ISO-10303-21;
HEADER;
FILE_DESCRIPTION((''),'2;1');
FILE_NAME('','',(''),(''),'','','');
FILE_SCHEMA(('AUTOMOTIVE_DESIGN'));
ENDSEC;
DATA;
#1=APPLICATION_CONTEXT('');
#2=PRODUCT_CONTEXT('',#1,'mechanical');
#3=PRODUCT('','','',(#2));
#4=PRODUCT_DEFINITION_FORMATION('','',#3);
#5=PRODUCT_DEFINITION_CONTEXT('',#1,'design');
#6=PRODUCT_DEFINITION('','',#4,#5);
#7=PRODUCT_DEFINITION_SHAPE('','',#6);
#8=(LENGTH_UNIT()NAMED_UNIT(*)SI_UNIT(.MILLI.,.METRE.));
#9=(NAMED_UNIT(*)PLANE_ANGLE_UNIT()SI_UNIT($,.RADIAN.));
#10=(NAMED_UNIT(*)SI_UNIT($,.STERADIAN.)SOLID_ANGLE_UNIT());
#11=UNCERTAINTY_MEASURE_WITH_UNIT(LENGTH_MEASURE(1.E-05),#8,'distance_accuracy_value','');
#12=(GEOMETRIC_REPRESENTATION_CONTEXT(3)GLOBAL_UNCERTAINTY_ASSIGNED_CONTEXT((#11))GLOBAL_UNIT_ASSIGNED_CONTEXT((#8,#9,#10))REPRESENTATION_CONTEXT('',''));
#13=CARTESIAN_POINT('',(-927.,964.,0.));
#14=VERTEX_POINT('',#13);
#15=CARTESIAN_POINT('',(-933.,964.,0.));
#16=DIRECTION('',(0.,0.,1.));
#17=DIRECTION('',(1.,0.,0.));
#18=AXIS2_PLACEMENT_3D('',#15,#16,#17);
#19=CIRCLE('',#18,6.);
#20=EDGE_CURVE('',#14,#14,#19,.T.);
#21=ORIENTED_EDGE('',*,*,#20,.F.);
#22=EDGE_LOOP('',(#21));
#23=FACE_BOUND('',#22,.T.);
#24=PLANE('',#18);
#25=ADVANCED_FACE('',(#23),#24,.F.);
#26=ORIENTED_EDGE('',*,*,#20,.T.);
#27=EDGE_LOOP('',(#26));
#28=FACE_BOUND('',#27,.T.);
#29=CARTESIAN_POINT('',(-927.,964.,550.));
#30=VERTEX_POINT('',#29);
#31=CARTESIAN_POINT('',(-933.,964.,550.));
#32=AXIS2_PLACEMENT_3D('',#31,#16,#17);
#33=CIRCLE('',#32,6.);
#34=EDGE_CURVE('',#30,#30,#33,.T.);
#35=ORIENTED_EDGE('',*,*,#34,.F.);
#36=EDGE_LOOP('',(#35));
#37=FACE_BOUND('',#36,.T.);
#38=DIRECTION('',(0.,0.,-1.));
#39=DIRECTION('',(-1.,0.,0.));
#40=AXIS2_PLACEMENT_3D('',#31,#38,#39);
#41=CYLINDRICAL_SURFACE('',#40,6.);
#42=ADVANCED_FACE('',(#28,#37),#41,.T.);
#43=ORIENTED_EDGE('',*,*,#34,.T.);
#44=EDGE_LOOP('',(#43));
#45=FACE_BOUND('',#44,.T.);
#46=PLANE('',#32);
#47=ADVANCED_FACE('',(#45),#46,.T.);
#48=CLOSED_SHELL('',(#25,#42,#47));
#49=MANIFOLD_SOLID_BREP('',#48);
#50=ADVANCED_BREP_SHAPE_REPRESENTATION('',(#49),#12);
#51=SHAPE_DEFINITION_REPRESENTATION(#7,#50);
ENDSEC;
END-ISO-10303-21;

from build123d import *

# Parameters (mm, degrees)
SKETCH1_R           = 6
BOSS_EXTRUDE1_DEPTH = 550


with BuildPart() as part:
    # Sketch1 → Boss-Extrude1 (new body)
    with BuildSketch(Plane.XY):
        with Locations((-933, 964)):
            Circle(SKETCH1_R)
    extrude(amount=BOSS_EXTRUDE1_DEPTH)


solid = part.part
